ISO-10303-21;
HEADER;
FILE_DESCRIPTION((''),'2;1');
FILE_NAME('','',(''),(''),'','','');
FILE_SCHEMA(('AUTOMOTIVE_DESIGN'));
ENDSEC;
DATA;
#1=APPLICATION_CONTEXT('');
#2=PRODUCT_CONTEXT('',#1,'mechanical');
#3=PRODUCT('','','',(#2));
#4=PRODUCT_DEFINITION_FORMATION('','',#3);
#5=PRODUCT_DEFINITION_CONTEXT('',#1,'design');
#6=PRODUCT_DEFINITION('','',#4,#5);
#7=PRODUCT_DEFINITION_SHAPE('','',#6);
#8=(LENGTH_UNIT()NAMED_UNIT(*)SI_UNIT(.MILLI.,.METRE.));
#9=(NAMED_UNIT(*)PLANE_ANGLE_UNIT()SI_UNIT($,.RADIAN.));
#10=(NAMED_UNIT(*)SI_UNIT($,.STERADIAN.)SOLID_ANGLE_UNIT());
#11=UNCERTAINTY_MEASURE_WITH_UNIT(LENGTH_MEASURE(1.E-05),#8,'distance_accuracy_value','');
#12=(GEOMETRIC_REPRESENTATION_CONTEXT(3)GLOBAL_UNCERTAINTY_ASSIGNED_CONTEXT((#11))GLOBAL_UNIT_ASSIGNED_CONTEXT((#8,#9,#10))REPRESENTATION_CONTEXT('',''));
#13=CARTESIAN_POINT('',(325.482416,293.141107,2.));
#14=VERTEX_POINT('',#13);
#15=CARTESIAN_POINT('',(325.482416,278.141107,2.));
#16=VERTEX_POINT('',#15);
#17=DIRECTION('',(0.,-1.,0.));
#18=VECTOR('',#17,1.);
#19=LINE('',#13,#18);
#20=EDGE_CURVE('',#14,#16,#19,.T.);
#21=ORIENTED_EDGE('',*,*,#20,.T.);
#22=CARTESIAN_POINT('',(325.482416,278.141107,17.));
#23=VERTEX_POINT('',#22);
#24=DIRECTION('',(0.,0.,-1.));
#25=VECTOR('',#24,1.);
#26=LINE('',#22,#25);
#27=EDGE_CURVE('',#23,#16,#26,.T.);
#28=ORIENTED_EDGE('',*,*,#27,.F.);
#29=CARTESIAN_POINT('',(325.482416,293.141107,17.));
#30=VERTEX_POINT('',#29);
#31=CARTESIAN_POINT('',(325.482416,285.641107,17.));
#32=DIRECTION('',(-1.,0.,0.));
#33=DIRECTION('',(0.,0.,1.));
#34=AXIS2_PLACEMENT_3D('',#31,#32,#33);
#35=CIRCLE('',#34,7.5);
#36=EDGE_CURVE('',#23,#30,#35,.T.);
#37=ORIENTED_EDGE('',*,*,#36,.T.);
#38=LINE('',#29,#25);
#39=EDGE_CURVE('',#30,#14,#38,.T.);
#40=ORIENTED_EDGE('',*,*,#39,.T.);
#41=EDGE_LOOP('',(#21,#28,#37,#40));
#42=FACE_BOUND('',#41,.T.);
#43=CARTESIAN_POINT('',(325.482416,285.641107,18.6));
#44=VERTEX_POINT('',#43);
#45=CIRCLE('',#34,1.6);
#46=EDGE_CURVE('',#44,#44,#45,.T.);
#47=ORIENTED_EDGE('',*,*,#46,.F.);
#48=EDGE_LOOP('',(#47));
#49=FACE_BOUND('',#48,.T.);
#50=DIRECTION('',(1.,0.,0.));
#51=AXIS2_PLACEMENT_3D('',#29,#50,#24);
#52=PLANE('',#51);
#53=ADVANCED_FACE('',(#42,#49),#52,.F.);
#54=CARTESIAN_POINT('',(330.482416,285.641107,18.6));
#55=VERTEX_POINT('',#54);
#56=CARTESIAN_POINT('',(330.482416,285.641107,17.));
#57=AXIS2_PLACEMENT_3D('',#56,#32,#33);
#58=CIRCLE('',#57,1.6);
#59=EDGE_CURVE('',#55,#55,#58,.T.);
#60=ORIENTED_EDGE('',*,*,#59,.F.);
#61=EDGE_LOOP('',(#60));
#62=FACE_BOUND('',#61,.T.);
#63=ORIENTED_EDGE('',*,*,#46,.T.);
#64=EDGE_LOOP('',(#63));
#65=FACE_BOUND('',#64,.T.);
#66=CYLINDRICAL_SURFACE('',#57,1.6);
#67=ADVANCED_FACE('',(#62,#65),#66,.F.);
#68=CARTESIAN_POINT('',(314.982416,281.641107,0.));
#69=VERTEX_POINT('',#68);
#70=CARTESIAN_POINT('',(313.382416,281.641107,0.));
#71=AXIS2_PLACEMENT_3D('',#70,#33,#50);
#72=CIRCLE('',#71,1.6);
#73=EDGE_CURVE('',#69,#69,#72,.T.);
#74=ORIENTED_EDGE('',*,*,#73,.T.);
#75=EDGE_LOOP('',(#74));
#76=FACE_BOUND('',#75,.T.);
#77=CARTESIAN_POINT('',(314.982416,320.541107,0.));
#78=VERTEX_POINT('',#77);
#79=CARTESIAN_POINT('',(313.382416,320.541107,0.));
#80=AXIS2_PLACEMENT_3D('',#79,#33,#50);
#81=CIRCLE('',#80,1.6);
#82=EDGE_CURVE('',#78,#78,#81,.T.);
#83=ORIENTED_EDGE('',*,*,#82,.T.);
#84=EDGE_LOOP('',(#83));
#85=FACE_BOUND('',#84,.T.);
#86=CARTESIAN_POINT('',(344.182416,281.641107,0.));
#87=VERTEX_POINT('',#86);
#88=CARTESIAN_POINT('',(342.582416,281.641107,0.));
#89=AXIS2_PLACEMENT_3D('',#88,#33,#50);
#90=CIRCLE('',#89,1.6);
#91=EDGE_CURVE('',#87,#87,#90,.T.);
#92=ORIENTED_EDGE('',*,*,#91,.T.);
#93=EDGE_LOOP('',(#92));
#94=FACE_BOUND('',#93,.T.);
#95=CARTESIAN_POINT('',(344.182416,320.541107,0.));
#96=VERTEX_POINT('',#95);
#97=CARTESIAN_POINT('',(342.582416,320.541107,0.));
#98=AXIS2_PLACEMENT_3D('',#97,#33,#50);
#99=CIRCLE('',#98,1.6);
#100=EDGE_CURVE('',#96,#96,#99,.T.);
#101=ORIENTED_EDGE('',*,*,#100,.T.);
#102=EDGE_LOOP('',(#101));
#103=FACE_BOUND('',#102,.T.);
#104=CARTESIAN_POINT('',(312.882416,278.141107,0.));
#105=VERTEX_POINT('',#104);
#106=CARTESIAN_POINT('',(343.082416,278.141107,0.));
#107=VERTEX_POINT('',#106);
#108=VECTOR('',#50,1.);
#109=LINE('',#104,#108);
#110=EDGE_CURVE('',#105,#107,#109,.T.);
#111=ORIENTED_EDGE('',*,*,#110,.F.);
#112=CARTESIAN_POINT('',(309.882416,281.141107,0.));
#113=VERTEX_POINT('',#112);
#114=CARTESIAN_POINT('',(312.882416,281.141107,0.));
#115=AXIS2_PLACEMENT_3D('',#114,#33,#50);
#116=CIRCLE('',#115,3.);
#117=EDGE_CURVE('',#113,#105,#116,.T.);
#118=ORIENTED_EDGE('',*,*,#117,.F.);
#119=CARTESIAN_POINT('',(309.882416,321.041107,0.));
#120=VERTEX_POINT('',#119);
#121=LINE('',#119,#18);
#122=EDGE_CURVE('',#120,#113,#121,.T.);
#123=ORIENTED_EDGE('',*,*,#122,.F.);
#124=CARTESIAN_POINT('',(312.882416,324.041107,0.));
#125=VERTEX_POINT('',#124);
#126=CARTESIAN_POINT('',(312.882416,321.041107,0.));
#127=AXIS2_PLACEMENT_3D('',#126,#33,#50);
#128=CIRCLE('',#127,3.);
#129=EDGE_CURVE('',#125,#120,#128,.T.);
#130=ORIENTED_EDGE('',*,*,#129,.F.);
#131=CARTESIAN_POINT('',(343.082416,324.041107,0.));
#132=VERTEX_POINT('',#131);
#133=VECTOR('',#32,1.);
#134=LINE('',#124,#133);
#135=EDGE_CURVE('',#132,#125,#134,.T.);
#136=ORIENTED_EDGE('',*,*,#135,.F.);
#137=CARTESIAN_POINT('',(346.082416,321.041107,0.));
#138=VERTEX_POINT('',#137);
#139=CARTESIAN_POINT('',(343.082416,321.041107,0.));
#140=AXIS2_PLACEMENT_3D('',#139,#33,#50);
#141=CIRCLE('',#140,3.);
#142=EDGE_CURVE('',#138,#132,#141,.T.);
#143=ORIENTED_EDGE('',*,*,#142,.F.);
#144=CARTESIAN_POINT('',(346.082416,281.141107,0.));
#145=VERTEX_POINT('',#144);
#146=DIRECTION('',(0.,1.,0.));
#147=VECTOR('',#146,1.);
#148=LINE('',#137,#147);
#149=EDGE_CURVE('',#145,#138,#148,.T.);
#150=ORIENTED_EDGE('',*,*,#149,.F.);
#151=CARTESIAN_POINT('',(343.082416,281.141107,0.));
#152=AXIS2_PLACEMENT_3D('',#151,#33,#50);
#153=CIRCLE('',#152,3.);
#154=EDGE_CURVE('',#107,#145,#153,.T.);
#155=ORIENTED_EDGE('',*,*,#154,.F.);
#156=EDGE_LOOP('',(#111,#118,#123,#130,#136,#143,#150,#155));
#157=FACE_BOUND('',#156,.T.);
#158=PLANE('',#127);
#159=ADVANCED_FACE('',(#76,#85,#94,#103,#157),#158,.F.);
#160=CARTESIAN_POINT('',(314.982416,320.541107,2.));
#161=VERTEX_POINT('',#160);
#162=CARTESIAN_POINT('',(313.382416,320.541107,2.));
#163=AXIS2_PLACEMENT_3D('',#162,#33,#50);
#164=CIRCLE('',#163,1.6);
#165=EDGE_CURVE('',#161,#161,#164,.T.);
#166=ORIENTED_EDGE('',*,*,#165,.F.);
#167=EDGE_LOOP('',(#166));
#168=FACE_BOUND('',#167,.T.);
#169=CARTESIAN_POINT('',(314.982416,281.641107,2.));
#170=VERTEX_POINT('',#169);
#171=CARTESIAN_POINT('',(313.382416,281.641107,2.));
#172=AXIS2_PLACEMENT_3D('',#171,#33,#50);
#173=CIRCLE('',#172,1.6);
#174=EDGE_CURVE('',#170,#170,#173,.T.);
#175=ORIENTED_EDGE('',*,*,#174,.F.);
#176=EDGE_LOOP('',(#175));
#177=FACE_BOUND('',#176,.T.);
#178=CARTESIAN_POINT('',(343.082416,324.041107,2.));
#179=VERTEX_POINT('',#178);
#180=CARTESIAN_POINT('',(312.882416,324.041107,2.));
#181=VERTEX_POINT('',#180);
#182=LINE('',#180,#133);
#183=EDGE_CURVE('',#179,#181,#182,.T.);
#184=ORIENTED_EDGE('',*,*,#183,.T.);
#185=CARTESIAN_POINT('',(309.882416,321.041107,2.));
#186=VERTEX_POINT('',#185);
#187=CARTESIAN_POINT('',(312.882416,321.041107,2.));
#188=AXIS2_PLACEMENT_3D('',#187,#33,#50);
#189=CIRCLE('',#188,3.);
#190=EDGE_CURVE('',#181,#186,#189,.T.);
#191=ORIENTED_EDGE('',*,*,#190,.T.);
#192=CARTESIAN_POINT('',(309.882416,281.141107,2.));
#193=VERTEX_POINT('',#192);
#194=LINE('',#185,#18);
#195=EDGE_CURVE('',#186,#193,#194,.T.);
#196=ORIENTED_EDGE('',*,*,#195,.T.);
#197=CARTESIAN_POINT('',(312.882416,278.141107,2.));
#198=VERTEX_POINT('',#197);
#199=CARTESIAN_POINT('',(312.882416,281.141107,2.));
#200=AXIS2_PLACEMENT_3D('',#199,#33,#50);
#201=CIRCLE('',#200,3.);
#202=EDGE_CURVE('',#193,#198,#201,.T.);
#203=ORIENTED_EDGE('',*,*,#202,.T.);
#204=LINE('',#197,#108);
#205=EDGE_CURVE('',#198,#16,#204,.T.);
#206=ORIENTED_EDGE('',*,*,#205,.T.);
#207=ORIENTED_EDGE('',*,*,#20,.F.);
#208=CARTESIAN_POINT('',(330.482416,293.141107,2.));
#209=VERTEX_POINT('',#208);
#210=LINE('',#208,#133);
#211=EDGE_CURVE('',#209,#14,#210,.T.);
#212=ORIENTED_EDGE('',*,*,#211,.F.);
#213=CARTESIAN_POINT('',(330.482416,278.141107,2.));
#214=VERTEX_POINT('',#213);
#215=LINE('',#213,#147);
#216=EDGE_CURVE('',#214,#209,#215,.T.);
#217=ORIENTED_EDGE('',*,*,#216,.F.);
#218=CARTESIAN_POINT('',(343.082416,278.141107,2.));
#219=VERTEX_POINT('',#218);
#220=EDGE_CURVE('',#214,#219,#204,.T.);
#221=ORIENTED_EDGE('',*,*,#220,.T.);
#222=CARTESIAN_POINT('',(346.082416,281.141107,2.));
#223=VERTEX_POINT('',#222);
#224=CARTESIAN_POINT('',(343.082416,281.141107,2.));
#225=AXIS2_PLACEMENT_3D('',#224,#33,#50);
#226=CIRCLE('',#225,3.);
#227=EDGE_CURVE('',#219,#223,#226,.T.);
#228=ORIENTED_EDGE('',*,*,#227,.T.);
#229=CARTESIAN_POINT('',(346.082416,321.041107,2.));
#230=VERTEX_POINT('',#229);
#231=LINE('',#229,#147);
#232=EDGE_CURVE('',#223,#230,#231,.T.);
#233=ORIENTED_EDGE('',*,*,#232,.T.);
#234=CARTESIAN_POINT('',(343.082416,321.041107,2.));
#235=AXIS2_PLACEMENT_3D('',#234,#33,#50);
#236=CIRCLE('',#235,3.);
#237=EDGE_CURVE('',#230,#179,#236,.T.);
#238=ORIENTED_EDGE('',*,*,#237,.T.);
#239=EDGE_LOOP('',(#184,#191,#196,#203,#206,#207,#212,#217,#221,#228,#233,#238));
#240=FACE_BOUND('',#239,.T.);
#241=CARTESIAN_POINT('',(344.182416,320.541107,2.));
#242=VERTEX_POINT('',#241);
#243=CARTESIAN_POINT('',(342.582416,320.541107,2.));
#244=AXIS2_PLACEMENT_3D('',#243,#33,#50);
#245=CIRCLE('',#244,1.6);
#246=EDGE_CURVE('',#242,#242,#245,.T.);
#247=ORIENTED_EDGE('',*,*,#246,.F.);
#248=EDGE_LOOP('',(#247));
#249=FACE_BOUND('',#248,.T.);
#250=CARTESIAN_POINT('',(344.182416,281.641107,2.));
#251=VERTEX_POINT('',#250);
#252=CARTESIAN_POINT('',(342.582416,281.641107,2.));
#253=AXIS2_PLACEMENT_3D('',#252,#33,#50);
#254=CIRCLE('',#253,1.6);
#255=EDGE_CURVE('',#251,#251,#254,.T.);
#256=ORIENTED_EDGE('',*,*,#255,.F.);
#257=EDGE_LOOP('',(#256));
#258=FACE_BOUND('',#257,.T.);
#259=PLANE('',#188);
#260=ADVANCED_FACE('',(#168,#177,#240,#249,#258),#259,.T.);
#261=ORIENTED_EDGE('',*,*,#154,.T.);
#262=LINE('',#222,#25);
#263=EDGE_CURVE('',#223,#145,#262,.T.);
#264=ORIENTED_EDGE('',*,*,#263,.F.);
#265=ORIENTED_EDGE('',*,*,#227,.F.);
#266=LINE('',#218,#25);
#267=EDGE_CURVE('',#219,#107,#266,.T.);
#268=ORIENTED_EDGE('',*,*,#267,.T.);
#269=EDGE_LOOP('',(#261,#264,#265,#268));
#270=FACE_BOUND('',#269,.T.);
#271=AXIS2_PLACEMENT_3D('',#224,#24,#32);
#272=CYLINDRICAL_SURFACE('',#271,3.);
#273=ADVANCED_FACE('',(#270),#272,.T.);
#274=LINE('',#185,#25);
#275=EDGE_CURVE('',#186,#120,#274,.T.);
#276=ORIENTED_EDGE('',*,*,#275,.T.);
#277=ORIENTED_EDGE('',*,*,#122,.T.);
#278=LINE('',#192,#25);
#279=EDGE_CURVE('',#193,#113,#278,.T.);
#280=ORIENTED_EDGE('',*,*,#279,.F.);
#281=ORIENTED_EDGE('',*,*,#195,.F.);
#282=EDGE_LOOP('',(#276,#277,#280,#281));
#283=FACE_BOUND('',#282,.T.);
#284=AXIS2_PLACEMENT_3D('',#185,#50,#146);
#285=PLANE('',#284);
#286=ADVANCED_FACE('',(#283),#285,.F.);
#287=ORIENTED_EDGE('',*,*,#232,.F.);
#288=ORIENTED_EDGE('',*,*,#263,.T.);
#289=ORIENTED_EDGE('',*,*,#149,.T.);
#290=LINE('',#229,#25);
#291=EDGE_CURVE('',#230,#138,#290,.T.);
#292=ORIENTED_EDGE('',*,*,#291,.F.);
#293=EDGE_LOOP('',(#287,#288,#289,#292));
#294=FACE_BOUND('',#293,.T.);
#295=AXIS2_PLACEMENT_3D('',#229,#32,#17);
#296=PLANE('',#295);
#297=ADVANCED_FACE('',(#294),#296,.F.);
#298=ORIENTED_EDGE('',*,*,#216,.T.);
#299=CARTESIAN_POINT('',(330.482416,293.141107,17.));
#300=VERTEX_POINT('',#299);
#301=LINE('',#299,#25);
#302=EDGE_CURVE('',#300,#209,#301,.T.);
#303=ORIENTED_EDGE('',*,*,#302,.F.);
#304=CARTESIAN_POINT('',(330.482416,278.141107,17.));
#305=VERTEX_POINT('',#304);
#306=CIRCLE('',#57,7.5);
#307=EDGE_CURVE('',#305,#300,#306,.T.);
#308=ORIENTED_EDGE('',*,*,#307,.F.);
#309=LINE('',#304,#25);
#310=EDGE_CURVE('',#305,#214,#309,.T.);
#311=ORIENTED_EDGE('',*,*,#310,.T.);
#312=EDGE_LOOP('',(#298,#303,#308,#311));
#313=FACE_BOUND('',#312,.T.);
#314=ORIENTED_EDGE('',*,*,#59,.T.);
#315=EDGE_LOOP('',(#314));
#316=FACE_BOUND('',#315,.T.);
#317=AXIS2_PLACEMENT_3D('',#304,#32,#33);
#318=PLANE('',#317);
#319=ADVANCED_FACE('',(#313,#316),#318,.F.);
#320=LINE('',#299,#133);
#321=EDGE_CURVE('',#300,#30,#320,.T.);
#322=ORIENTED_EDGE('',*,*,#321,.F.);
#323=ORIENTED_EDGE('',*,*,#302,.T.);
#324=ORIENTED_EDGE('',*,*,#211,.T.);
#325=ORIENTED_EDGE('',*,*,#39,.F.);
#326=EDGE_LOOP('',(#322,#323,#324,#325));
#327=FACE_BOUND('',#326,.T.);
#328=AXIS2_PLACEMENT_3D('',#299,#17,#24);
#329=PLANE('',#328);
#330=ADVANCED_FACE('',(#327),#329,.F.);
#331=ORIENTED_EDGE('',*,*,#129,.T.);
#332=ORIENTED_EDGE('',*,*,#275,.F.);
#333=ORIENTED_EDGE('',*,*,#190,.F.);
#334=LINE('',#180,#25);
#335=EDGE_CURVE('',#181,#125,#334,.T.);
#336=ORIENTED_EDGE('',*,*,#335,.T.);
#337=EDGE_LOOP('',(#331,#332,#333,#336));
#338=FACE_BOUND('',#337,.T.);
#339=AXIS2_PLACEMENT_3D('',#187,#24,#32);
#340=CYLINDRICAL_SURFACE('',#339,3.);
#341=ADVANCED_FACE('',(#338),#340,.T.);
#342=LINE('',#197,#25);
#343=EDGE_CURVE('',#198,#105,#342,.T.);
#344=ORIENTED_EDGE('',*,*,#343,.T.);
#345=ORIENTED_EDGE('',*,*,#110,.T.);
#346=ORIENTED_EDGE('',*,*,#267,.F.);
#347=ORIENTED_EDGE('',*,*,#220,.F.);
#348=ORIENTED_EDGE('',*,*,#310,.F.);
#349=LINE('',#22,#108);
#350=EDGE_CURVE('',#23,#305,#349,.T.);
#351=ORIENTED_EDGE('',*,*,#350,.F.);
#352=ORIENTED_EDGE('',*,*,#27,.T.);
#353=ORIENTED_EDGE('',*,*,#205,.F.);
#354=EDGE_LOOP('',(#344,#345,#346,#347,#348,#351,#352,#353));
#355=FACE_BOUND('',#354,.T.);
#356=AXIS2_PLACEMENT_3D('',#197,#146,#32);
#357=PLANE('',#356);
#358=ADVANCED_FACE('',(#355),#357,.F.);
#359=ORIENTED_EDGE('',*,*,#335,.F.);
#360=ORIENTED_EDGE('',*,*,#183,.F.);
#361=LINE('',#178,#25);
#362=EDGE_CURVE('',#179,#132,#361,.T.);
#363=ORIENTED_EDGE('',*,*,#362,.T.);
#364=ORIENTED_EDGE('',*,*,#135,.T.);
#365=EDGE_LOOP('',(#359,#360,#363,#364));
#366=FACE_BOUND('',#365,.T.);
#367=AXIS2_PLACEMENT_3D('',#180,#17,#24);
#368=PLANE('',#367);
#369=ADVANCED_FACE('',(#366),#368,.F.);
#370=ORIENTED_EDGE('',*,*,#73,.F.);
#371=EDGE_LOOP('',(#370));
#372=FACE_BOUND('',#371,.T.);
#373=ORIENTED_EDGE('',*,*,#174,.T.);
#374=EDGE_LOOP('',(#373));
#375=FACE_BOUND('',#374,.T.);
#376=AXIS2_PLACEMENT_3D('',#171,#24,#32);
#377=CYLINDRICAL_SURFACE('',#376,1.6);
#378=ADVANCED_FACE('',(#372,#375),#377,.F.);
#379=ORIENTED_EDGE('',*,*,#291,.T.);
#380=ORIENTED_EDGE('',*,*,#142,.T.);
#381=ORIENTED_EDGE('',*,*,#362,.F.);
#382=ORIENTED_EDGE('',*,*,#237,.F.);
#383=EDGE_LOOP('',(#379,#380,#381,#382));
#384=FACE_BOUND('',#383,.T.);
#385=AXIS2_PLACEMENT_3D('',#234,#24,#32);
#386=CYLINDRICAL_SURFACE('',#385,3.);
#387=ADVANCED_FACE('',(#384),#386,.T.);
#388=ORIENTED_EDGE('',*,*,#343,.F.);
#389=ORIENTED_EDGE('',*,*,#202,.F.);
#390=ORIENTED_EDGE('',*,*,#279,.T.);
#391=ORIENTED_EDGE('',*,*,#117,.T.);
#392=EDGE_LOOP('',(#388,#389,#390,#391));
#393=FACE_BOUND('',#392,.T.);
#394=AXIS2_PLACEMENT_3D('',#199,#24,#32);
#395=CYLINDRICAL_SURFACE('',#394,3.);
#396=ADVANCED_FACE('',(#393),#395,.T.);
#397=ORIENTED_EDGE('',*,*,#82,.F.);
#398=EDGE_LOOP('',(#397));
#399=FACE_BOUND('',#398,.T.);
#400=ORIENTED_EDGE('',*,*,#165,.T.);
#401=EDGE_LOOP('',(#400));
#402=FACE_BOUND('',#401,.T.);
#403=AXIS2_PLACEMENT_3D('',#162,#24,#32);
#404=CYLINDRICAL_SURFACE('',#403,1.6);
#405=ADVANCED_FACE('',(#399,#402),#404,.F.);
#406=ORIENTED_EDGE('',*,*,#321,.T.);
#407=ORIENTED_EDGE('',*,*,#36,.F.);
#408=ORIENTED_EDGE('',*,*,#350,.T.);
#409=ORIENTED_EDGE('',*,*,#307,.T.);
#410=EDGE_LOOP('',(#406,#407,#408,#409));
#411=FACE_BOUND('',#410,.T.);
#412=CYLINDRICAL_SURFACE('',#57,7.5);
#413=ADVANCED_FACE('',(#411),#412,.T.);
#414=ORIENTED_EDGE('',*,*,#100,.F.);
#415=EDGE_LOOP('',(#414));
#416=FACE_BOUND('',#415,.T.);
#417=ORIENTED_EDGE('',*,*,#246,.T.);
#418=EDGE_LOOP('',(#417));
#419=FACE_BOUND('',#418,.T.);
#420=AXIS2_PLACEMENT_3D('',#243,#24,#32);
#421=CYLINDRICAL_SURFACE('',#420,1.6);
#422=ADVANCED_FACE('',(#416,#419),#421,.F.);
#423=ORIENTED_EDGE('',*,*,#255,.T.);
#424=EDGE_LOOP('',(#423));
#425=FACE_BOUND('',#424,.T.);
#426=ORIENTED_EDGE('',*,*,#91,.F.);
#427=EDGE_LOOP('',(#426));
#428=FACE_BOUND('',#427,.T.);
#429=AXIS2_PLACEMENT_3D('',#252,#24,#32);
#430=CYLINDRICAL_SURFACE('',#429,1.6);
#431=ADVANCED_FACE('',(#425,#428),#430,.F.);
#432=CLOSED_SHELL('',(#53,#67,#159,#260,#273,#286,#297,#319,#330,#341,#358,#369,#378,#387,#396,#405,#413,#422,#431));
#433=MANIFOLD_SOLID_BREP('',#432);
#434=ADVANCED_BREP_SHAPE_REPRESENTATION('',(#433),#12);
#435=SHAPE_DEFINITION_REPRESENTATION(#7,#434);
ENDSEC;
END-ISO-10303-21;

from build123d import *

# Parameters (mm, degrees)
MODEL_R             = 1.6
EXTRUDE_1_DEPTH     = 2
SKETCH_2_W          = 5
SKETCH_2_H          = 15
EXTRUDE_2_DEPTH     = 15
EXTRUDE_3_DEPTH     = 5
SKETCH_4_R          = 1.6
CUT_EXTRUDE_1_DEPTH = 5


with BuildPart() as part:
    # Model → 凸台-拉伸1 (new body)
    with BuildSketch(Plane.XY):
        with BuildLine():
            Line((312.88241623, 324.041107056), (343.08241623, 324.041107056))
            ThreePointArc((343.08241623, 324.041107056), (345.203736573, 323.1624274), (346.08241623, 321.041107056))
            Line((346.08241623, 321.041107056), (346.08241623, 281.141107056))
            ThreePointArc((346.08241623, 281.141107056), (345.203736573, 279.019786713), (343.08241623, 278.141107056))
            Line((343.08241623, 278.141107056), (312.88241623, 278.141107056))
            ThreePointArc((312.88241623, 278.141107056), (310.761095886, 279.019786713), (309.88241623, 281.141107056))
            Line((309.88241623, 281.141107056), (309.88241623, 321.041107056))
            ThreePointArc((309.88241623, 321.041107056), (310.761095886, 323.1624274), (312.88241623, 324.041107056))
        make_face()
        with Locations((313.38241623, 320.541107056)):
            Circle(MODEL_R, mode=Mode.SUBTRACT)
        with Locations((313.38241623, 281.641107056)):
            Circle(MODEL_R, mode=Mode.SUBTRACT)
        with Locations((342.58241623, 320.541107056)):
            Circle(MODEL_R, mode=Mode.SUBTRACT)
        with Locations((342.58241623, 281.641107056)):
            Circle(MODEL_R, mode=Mode.SUBTRACT)
    extrude(amount=EXTRUDE_1_DEPTH)

    # 草图2 → 凸台-拉伸2 (add)
    with BuildSketch(Plane.XY.offset(2)):
        with Locations((327.98241623, 285.641107056)):
            Rectangle(SKETCH_2_W, SKETCH_2_H)
    extrude(amount=EXTRUDE_2_DEPTH)

    # 草图3 → 凸台-拉伸3 (add)
    with BuildSketch(Plane.ZY.offset(-325.48241623)):
        with BuildLine():
            Line((17, 293.141107056), (17, 278.141107056))
            ThreePointArc((17, 278.141107056), (24.5, 285.641107056), (17, 293.141107056))
        make_face()
    extrude(amount=-EXTRUDE_3_DEPTH)

    # 草图4 → 切除-拉伸1 (cut)
    with BuildSketch(Plane.ZY.offset(-325.48241623)):
        with Locations((17, 285.641107056)):
            Circle(SKETCH_4_R)
    extrude(amount=-CUT_EXTRUDE_1_DEPTH, mode=Mode.SUBTRACT)


solid = part.part
